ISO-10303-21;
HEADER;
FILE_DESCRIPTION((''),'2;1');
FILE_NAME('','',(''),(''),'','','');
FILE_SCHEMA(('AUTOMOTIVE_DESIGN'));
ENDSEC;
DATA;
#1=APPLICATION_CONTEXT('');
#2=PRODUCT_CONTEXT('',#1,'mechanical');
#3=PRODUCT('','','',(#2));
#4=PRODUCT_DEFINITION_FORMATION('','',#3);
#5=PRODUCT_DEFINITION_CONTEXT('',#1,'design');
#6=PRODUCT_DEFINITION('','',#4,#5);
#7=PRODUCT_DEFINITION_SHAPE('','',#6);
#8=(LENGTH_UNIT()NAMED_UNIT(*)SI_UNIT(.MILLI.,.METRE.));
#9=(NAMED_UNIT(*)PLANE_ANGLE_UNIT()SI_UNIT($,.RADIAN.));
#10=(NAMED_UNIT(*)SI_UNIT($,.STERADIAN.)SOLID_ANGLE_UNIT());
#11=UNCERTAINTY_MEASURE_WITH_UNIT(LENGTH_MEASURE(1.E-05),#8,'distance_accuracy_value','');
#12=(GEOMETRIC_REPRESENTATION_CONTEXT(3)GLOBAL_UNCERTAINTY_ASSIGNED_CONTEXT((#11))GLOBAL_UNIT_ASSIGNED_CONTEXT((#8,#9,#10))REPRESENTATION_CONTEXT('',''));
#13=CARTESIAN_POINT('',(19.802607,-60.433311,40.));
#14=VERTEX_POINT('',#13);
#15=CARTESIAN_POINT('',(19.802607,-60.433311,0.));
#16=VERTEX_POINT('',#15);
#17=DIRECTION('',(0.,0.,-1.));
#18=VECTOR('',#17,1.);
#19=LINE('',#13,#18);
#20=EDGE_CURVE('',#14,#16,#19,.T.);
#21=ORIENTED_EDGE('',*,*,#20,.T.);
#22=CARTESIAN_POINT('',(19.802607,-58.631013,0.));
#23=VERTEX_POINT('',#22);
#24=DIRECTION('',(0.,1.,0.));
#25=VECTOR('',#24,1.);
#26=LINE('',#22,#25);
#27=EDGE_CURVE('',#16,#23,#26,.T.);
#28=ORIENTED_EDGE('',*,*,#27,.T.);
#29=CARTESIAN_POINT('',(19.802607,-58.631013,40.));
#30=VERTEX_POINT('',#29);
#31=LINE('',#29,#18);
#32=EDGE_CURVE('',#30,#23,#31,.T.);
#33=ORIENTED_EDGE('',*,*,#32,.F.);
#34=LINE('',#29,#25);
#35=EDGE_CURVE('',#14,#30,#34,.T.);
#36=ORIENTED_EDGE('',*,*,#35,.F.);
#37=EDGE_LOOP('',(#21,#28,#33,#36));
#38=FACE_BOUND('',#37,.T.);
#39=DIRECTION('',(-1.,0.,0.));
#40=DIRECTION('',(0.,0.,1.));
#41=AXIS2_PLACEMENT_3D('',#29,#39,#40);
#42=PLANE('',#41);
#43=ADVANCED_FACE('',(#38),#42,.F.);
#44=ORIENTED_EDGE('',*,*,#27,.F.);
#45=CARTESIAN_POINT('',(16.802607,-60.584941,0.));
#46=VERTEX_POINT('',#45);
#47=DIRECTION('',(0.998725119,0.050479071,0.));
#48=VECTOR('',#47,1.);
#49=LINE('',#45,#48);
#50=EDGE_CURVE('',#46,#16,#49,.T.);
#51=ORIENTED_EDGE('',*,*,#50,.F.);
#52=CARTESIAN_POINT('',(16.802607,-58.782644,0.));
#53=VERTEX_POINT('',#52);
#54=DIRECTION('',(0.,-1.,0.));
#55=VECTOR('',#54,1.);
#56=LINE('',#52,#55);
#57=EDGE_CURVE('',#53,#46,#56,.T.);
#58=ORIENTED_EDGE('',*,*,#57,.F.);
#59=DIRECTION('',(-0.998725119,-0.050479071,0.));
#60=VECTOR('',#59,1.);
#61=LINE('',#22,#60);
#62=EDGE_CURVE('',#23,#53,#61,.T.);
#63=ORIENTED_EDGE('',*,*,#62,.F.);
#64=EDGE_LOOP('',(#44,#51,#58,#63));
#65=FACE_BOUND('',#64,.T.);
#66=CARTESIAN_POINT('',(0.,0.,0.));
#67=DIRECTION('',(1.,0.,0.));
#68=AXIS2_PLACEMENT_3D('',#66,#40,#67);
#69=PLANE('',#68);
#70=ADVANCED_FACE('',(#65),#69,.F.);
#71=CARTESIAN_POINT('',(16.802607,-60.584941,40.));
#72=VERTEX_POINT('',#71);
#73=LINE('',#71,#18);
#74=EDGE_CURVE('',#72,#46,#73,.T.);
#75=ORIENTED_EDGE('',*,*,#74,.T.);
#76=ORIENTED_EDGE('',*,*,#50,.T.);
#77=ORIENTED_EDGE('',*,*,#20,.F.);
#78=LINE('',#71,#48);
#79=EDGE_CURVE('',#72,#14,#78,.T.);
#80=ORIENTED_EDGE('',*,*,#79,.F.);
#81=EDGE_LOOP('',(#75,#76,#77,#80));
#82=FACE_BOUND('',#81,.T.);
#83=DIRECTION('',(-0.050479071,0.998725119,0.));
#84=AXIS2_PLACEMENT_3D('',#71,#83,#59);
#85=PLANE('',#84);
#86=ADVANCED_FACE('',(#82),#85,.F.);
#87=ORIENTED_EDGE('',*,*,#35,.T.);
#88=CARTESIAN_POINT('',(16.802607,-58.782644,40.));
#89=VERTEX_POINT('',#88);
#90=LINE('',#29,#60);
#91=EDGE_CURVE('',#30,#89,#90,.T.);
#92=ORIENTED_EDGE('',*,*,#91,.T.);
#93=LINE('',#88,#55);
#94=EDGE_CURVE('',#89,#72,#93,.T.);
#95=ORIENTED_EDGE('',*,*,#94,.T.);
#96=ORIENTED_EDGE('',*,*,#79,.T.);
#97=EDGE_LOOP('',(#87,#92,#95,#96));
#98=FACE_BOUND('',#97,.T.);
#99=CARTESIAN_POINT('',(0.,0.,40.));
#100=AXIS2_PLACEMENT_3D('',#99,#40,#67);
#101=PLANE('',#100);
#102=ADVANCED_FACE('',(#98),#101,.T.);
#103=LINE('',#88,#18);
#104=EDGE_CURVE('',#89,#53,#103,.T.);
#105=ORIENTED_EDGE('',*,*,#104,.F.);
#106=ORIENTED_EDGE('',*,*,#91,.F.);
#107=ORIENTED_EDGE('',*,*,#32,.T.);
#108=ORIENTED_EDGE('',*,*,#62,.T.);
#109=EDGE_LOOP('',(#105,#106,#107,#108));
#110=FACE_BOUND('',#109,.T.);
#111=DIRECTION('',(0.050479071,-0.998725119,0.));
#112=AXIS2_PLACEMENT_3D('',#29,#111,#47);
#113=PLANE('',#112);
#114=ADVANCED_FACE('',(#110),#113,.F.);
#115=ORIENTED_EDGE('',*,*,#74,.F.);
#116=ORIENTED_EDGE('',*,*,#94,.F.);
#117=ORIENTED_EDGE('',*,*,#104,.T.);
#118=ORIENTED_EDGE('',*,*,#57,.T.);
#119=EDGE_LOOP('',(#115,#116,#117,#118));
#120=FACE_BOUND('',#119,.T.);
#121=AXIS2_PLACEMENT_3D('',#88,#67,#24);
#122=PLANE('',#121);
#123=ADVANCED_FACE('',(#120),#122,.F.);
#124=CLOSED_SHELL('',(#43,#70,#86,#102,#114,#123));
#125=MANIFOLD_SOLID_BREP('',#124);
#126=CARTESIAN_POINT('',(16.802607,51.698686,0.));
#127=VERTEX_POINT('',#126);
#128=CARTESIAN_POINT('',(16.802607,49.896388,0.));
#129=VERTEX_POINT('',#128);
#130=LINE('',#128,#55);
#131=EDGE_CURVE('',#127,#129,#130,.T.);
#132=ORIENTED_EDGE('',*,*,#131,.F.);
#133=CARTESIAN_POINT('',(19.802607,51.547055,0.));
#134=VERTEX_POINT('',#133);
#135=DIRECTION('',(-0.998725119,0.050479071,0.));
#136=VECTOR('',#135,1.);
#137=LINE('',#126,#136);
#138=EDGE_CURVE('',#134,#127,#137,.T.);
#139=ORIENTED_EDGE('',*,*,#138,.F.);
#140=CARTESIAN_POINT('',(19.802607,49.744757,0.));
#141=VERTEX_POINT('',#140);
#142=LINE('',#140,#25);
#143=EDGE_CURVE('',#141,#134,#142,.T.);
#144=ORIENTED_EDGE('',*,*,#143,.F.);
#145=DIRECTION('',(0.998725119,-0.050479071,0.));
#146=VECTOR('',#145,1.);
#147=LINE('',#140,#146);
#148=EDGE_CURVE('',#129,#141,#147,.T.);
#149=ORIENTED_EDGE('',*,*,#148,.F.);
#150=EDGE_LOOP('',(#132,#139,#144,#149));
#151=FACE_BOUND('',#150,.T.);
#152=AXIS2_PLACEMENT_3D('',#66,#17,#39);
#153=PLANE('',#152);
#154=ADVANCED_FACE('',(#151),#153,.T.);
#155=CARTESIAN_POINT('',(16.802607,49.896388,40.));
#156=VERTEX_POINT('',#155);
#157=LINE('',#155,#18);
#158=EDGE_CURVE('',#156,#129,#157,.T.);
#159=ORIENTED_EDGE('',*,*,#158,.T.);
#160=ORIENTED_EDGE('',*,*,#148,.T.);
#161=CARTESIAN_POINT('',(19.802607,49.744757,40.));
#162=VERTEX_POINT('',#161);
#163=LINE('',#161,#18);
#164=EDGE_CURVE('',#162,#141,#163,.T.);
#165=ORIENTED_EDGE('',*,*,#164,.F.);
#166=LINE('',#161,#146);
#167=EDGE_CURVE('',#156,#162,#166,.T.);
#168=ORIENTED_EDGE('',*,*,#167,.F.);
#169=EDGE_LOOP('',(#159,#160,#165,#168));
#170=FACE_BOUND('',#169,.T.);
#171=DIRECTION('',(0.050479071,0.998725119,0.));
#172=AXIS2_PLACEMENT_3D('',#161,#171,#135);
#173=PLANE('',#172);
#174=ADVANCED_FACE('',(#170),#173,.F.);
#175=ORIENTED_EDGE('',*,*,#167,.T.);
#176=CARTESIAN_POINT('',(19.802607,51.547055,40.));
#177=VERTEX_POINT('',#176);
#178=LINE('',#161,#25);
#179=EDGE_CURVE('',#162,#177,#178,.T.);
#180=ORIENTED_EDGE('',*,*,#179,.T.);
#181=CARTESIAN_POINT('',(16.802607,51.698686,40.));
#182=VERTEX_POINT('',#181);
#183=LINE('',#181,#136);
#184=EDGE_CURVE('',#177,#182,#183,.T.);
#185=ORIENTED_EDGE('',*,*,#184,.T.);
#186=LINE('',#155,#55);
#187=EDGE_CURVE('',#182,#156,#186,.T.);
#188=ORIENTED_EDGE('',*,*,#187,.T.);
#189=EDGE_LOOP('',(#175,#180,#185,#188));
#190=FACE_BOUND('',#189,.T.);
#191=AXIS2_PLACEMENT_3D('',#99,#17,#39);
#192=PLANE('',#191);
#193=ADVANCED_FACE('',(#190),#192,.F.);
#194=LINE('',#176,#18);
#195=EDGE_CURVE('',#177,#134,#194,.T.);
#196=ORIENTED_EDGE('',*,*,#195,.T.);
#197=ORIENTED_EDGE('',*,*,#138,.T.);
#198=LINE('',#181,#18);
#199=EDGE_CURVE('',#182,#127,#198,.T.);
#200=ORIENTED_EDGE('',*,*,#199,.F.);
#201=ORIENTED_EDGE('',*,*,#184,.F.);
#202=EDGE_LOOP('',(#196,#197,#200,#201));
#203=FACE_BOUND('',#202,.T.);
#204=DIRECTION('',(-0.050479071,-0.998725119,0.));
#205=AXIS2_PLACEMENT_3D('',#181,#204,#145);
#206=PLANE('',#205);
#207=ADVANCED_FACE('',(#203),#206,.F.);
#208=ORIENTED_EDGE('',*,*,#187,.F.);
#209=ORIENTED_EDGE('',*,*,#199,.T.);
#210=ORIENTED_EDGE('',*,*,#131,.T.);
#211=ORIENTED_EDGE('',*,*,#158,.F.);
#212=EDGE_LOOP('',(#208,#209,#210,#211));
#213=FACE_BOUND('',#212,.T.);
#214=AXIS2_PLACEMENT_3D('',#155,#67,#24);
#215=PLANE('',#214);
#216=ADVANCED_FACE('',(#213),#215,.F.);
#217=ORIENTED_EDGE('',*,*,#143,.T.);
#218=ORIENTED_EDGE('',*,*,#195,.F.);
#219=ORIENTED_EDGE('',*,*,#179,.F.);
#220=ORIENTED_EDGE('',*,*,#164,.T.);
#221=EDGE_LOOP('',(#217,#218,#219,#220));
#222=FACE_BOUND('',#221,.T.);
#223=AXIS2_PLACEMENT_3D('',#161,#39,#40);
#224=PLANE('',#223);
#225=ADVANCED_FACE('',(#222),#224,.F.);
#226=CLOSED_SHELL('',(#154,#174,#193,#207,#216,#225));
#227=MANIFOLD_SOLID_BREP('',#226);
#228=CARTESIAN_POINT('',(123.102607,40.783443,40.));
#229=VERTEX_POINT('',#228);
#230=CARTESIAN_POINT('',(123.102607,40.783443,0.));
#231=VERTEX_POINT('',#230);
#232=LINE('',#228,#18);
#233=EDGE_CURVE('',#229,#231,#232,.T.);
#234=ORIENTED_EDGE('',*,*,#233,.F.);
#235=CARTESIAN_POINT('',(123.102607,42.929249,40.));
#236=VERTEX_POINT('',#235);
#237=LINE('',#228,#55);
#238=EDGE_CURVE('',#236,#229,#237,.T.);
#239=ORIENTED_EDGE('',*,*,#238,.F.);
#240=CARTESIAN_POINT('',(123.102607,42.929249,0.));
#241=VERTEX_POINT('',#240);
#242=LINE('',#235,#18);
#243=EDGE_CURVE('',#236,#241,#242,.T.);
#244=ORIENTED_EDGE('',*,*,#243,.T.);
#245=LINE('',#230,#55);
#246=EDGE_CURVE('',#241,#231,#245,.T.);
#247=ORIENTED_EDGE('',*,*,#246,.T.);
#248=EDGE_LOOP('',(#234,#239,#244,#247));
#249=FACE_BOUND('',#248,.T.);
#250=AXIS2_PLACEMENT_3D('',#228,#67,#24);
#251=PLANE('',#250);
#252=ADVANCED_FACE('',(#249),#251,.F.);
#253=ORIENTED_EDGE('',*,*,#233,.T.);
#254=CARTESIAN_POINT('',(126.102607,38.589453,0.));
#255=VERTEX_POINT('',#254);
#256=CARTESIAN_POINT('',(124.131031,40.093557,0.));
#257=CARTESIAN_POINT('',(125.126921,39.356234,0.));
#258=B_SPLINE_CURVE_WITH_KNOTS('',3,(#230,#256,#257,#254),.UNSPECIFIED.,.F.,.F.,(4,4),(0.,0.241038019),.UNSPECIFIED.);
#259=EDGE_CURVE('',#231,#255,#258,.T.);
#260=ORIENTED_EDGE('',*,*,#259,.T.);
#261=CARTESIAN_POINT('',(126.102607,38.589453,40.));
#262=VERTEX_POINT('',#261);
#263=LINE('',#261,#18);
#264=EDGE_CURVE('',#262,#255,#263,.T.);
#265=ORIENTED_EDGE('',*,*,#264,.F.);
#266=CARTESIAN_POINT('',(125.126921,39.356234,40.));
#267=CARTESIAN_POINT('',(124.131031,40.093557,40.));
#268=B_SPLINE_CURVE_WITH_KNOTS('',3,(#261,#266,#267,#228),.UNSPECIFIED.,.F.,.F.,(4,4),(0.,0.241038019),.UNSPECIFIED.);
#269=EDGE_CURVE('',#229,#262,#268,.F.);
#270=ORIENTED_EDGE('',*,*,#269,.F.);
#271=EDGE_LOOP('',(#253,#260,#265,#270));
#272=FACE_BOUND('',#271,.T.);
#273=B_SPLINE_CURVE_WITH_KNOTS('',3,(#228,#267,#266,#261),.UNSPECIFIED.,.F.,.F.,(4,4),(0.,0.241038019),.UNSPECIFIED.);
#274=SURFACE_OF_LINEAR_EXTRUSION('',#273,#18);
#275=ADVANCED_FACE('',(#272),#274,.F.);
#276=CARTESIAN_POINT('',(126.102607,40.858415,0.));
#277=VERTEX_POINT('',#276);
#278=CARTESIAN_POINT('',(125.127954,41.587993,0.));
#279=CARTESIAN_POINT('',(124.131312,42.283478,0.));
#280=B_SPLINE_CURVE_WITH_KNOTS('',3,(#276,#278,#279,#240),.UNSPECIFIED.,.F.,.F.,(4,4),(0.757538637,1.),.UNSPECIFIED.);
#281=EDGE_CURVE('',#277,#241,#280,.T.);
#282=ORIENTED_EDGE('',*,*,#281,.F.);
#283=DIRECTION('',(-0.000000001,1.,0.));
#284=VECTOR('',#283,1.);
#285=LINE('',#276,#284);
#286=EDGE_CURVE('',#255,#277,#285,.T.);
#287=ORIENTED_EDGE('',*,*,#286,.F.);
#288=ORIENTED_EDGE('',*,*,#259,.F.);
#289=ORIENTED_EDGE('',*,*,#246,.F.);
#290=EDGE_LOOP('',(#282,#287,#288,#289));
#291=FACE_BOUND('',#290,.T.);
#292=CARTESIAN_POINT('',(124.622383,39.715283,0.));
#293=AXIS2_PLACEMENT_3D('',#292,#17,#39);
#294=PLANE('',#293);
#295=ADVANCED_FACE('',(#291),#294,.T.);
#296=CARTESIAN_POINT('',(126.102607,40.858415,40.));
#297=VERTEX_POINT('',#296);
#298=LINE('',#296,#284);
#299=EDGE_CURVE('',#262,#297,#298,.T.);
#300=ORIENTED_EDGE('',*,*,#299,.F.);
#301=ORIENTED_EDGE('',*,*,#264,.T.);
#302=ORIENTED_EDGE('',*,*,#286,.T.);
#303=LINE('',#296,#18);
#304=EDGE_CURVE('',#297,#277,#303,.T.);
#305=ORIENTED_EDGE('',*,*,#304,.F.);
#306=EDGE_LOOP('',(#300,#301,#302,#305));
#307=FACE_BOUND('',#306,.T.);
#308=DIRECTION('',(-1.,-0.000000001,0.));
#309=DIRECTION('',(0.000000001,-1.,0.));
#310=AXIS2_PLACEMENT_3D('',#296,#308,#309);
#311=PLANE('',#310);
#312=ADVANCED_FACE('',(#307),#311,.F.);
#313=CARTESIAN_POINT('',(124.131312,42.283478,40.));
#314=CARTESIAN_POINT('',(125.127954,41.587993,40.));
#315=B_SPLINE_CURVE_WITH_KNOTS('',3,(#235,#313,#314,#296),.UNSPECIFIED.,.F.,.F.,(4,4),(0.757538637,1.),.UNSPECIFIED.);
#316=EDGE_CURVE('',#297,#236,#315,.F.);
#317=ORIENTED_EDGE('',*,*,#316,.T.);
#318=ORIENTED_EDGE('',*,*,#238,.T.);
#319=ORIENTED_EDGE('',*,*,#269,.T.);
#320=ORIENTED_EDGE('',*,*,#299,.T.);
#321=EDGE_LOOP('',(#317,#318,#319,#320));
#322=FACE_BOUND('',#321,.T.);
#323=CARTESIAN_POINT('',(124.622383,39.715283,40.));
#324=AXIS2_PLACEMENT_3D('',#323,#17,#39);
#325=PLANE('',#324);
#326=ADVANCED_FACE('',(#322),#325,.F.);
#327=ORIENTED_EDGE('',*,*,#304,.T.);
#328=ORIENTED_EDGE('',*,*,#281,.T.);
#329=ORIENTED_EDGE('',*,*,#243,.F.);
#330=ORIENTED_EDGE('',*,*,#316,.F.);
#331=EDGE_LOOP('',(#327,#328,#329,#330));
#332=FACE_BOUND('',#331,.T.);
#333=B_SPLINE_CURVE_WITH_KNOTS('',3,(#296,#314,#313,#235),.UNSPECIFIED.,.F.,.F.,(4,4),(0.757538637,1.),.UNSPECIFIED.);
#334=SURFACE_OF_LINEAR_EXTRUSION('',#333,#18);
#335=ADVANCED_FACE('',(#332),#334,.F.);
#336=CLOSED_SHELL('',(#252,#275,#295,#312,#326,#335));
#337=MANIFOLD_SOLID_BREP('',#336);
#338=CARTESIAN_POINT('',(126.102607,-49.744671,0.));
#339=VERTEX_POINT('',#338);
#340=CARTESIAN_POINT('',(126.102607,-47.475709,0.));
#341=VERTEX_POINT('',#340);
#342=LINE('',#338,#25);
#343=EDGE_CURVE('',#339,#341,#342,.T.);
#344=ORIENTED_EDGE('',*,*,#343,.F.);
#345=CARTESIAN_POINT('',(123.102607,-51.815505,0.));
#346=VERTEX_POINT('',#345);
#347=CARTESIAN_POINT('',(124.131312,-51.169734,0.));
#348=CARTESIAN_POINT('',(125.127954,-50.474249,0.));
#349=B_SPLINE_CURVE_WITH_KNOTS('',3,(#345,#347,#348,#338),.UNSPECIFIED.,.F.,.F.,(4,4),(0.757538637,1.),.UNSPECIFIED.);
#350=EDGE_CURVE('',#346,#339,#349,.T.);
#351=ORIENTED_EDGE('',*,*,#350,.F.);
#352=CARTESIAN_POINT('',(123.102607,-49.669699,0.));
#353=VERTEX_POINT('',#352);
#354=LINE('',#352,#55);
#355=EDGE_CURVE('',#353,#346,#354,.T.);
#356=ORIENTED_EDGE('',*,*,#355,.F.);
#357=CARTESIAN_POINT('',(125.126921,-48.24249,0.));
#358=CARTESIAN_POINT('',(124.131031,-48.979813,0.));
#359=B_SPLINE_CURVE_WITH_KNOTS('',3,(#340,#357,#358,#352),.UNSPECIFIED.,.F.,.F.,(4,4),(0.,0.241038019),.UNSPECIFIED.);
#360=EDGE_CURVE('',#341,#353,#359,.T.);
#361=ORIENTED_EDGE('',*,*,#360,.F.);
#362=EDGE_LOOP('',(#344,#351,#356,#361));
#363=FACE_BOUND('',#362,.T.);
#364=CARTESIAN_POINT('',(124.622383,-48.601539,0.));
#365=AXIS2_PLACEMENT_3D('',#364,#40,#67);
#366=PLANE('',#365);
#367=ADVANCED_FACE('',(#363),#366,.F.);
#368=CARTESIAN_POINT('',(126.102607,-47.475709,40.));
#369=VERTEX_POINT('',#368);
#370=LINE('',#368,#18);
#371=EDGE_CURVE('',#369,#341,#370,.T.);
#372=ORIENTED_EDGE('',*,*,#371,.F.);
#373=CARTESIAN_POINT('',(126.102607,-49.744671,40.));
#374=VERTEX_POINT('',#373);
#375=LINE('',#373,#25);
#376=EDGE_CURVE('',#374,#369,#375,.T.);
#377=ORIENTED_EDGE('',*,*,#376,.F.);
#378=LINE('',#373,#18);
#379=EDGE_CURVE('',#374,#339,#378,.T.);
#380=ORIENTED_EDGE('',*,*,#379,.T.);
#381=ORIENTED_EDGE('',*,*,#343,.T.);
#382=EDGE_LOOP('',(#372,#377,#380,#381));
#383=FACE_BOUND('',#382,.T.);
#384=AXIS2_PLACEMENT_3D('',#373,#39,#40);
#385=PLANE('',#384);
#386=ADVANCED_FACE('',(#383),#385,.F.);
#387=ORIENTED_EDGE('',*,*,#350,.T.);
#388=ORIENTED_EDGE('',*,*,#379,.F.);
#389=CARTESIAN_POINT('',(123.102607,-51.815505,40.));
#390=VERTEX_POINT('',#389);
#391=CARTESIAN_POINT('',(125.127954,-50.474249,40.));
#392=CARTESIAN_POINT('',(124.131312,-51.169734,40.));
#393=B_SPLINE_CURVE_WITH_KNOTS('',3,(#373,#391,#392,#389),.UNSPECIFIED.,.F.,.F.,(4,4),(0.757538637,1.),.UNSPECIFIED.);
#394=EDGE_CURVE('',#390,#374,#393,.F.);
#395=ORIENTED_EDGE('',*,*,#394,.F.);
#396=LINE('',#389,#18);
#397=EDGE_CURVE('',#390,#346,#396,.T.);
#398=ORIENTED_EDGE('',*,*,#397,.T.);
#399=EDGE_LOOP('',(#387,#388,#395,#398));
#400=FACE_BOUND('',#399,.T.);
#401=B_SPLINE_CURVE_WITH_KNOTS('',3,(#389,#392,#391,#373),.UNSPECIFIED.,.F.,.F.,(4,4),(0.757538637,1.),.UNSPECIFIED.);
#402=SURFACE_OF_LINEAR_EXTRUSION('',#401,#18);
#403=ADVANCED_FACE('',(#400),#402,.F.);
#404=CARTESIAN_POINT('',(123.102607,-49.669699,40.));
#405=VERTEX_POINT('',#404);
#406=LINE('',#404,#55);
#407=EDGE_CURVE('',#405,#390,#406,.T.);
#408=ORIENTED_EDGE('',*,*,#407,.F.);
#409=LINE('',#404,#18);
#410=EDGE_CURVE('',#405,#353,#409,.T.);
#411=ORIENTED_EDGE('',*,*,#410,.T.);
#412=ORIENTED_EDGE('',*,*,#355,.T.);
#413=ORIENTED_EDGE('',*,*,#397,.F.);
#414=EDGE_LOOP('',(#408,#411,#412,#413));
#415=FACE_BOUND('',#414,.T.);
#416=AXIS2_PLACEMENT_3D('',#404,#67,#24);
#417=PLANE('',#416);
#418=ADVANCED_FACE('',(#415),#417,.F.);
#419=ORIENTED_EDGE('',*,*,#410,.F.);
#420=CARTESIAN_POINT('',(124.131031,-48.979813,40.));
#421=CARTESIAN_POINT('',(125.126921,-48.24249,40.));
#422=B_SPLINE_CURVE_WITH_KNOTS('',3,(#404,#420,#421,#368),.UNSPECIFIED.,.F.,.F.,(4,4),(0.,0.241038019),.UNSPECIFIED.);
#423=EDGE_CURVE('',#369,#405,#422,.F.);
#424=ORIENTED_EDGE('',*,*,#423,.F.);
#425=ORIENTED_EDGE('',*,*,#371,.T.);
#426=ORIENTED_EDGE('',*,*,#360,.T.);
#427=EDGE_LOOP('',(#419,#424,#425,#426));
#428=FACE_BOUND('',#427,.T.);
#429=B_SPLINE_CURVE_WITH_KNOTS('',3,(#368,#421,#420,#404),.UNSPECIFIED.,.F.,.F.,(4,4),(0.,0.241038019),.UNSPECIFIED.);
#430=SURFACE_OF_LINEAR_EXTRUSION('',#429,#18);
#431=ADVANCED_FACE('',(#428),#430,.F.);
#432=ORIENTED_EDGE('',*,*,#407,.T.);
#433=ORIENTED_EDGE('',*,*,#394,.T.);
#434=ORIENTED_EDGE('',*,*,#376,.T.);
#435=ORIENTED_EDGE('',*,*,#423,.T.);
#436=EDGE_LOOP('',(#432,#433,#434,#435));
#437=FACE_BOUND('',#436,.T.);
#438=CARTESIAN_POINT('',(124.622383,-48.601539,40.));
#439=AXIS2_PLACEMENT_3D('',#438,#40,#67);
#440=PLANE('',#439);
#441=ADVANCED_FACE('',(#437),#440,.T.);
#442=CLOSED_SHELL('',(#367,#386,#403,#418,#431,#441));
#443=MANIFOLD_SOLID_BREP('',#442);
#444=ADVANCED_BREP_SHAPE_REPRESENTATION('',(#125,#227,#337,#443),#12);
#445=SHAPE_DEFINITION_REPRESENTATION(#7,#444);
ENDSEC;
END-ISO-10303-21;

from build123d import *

# Parameters (mm, degrees)
BOSS_EXTRUDE1_DEPTH   = 40
BOSS_EXTRUDE1_2_DEPTH = 40
BOSS_EXTRUDE1_3_DEPTH = 40
BOSS_EXTRUDE1_4_DEPTH = 40


with BuildPart() as part:
    # Sketch2 → Boss-Extrude1 (new body)
    with BuildSketch(Plane.XY):
        with BuildLine():
            Line((123.102606631, -49.669698543), (123.102606631, -51.815505395))
            add(Edge.make_bspline(
                [(123.102606631, -51.815505395), (124.131312479, -51.169734334), (125.127954038, -50.474249112), (126.102606631, -49.744671044)],
                knots=[0.757538637, 0.757538637, 0.757538637, 0.757538637, 1, 1, 1, 1], degree=3))
            Line((126.102606631, -49.744671044), (126.102606631, -47.475709013))
            add(Edge.make_bspline(
                [(126.102606631, -47.475709013), (125.126920541, -48.242489739), (124.131030901, -48.97981269), (123.102606631, -49.669698543)],
                knots=[0, 0, 0, 0, 0.241038019, 0.241038019, 0.241038019, 0.241038019], degree=3))
        make_face()
    extrude(amount=BOSS_EXTRUDE1_DEPTH)


with BuildPart() as body_2:
    # Sketch2 → Boss-Extrude1 2 (new body)
    with BuildSketch(Plane.XY):
        with BuildLine():
            Line((123.102606631, 40.783442618), (123.102606631, 42.929249471))
            add(Edge.make_bspline(
                [(123.102606631, 42.929249471), (124.131312479, 42.28347841), (125.127954038, 41.587993188), (126.102606631, 40.85841512)],
                knots=[0.757538637, 0.757538637, 0.757538637, 0.757538637, 1, 1, 1, 1], degree=3))
            Line((126.102606631, 40.85841512), (126.102606633, 38.58945309))
            add(Edge.make_bspline(
                [(126.102606633, 38.58945309), (125.126920542, 39.356233816), (124.131030901, 40.093556766), (123.102606631, 40.783442618)],
                knots=[0, 0, 0, 0, 0.241038019, 0.241038019, 0.241038019, 0.241038019], degree=3))
        make_face()
    extrude(amount=BOSS_EXTRUDE1_2_DEPTH)


with BuildPart() as body_3:
    # Sketch2 → Boss-Extrude1 3 (new body)
    with BuildSketch(Plane.XY):
        Polygon((19.802606635, -58.631013225), (19.802606635, -60.43331094), (16.802606635, -60.584941464), (16.802606635, -58.782643749), align=None)
    extrude(amount=BOSS_EXTRUDE1_3_DEPTH)


with BuildPart() as body_4:
    # Sketch2 → Boss-Extrude1 4 (new body)
    with BuildSketch(Plane.XY):
        Polygon((19.802606635, 49.744757301), (16.802606635, 49.896387825), (16.802606635, 51.69868554), (19.802606635, 51.547055016), align=None)
    extrude(amount=BOSS_EXTRUDE1_4_DEPTH)


solid = Compound([part.part, body_2.part, body_3.part, body_4.part])
